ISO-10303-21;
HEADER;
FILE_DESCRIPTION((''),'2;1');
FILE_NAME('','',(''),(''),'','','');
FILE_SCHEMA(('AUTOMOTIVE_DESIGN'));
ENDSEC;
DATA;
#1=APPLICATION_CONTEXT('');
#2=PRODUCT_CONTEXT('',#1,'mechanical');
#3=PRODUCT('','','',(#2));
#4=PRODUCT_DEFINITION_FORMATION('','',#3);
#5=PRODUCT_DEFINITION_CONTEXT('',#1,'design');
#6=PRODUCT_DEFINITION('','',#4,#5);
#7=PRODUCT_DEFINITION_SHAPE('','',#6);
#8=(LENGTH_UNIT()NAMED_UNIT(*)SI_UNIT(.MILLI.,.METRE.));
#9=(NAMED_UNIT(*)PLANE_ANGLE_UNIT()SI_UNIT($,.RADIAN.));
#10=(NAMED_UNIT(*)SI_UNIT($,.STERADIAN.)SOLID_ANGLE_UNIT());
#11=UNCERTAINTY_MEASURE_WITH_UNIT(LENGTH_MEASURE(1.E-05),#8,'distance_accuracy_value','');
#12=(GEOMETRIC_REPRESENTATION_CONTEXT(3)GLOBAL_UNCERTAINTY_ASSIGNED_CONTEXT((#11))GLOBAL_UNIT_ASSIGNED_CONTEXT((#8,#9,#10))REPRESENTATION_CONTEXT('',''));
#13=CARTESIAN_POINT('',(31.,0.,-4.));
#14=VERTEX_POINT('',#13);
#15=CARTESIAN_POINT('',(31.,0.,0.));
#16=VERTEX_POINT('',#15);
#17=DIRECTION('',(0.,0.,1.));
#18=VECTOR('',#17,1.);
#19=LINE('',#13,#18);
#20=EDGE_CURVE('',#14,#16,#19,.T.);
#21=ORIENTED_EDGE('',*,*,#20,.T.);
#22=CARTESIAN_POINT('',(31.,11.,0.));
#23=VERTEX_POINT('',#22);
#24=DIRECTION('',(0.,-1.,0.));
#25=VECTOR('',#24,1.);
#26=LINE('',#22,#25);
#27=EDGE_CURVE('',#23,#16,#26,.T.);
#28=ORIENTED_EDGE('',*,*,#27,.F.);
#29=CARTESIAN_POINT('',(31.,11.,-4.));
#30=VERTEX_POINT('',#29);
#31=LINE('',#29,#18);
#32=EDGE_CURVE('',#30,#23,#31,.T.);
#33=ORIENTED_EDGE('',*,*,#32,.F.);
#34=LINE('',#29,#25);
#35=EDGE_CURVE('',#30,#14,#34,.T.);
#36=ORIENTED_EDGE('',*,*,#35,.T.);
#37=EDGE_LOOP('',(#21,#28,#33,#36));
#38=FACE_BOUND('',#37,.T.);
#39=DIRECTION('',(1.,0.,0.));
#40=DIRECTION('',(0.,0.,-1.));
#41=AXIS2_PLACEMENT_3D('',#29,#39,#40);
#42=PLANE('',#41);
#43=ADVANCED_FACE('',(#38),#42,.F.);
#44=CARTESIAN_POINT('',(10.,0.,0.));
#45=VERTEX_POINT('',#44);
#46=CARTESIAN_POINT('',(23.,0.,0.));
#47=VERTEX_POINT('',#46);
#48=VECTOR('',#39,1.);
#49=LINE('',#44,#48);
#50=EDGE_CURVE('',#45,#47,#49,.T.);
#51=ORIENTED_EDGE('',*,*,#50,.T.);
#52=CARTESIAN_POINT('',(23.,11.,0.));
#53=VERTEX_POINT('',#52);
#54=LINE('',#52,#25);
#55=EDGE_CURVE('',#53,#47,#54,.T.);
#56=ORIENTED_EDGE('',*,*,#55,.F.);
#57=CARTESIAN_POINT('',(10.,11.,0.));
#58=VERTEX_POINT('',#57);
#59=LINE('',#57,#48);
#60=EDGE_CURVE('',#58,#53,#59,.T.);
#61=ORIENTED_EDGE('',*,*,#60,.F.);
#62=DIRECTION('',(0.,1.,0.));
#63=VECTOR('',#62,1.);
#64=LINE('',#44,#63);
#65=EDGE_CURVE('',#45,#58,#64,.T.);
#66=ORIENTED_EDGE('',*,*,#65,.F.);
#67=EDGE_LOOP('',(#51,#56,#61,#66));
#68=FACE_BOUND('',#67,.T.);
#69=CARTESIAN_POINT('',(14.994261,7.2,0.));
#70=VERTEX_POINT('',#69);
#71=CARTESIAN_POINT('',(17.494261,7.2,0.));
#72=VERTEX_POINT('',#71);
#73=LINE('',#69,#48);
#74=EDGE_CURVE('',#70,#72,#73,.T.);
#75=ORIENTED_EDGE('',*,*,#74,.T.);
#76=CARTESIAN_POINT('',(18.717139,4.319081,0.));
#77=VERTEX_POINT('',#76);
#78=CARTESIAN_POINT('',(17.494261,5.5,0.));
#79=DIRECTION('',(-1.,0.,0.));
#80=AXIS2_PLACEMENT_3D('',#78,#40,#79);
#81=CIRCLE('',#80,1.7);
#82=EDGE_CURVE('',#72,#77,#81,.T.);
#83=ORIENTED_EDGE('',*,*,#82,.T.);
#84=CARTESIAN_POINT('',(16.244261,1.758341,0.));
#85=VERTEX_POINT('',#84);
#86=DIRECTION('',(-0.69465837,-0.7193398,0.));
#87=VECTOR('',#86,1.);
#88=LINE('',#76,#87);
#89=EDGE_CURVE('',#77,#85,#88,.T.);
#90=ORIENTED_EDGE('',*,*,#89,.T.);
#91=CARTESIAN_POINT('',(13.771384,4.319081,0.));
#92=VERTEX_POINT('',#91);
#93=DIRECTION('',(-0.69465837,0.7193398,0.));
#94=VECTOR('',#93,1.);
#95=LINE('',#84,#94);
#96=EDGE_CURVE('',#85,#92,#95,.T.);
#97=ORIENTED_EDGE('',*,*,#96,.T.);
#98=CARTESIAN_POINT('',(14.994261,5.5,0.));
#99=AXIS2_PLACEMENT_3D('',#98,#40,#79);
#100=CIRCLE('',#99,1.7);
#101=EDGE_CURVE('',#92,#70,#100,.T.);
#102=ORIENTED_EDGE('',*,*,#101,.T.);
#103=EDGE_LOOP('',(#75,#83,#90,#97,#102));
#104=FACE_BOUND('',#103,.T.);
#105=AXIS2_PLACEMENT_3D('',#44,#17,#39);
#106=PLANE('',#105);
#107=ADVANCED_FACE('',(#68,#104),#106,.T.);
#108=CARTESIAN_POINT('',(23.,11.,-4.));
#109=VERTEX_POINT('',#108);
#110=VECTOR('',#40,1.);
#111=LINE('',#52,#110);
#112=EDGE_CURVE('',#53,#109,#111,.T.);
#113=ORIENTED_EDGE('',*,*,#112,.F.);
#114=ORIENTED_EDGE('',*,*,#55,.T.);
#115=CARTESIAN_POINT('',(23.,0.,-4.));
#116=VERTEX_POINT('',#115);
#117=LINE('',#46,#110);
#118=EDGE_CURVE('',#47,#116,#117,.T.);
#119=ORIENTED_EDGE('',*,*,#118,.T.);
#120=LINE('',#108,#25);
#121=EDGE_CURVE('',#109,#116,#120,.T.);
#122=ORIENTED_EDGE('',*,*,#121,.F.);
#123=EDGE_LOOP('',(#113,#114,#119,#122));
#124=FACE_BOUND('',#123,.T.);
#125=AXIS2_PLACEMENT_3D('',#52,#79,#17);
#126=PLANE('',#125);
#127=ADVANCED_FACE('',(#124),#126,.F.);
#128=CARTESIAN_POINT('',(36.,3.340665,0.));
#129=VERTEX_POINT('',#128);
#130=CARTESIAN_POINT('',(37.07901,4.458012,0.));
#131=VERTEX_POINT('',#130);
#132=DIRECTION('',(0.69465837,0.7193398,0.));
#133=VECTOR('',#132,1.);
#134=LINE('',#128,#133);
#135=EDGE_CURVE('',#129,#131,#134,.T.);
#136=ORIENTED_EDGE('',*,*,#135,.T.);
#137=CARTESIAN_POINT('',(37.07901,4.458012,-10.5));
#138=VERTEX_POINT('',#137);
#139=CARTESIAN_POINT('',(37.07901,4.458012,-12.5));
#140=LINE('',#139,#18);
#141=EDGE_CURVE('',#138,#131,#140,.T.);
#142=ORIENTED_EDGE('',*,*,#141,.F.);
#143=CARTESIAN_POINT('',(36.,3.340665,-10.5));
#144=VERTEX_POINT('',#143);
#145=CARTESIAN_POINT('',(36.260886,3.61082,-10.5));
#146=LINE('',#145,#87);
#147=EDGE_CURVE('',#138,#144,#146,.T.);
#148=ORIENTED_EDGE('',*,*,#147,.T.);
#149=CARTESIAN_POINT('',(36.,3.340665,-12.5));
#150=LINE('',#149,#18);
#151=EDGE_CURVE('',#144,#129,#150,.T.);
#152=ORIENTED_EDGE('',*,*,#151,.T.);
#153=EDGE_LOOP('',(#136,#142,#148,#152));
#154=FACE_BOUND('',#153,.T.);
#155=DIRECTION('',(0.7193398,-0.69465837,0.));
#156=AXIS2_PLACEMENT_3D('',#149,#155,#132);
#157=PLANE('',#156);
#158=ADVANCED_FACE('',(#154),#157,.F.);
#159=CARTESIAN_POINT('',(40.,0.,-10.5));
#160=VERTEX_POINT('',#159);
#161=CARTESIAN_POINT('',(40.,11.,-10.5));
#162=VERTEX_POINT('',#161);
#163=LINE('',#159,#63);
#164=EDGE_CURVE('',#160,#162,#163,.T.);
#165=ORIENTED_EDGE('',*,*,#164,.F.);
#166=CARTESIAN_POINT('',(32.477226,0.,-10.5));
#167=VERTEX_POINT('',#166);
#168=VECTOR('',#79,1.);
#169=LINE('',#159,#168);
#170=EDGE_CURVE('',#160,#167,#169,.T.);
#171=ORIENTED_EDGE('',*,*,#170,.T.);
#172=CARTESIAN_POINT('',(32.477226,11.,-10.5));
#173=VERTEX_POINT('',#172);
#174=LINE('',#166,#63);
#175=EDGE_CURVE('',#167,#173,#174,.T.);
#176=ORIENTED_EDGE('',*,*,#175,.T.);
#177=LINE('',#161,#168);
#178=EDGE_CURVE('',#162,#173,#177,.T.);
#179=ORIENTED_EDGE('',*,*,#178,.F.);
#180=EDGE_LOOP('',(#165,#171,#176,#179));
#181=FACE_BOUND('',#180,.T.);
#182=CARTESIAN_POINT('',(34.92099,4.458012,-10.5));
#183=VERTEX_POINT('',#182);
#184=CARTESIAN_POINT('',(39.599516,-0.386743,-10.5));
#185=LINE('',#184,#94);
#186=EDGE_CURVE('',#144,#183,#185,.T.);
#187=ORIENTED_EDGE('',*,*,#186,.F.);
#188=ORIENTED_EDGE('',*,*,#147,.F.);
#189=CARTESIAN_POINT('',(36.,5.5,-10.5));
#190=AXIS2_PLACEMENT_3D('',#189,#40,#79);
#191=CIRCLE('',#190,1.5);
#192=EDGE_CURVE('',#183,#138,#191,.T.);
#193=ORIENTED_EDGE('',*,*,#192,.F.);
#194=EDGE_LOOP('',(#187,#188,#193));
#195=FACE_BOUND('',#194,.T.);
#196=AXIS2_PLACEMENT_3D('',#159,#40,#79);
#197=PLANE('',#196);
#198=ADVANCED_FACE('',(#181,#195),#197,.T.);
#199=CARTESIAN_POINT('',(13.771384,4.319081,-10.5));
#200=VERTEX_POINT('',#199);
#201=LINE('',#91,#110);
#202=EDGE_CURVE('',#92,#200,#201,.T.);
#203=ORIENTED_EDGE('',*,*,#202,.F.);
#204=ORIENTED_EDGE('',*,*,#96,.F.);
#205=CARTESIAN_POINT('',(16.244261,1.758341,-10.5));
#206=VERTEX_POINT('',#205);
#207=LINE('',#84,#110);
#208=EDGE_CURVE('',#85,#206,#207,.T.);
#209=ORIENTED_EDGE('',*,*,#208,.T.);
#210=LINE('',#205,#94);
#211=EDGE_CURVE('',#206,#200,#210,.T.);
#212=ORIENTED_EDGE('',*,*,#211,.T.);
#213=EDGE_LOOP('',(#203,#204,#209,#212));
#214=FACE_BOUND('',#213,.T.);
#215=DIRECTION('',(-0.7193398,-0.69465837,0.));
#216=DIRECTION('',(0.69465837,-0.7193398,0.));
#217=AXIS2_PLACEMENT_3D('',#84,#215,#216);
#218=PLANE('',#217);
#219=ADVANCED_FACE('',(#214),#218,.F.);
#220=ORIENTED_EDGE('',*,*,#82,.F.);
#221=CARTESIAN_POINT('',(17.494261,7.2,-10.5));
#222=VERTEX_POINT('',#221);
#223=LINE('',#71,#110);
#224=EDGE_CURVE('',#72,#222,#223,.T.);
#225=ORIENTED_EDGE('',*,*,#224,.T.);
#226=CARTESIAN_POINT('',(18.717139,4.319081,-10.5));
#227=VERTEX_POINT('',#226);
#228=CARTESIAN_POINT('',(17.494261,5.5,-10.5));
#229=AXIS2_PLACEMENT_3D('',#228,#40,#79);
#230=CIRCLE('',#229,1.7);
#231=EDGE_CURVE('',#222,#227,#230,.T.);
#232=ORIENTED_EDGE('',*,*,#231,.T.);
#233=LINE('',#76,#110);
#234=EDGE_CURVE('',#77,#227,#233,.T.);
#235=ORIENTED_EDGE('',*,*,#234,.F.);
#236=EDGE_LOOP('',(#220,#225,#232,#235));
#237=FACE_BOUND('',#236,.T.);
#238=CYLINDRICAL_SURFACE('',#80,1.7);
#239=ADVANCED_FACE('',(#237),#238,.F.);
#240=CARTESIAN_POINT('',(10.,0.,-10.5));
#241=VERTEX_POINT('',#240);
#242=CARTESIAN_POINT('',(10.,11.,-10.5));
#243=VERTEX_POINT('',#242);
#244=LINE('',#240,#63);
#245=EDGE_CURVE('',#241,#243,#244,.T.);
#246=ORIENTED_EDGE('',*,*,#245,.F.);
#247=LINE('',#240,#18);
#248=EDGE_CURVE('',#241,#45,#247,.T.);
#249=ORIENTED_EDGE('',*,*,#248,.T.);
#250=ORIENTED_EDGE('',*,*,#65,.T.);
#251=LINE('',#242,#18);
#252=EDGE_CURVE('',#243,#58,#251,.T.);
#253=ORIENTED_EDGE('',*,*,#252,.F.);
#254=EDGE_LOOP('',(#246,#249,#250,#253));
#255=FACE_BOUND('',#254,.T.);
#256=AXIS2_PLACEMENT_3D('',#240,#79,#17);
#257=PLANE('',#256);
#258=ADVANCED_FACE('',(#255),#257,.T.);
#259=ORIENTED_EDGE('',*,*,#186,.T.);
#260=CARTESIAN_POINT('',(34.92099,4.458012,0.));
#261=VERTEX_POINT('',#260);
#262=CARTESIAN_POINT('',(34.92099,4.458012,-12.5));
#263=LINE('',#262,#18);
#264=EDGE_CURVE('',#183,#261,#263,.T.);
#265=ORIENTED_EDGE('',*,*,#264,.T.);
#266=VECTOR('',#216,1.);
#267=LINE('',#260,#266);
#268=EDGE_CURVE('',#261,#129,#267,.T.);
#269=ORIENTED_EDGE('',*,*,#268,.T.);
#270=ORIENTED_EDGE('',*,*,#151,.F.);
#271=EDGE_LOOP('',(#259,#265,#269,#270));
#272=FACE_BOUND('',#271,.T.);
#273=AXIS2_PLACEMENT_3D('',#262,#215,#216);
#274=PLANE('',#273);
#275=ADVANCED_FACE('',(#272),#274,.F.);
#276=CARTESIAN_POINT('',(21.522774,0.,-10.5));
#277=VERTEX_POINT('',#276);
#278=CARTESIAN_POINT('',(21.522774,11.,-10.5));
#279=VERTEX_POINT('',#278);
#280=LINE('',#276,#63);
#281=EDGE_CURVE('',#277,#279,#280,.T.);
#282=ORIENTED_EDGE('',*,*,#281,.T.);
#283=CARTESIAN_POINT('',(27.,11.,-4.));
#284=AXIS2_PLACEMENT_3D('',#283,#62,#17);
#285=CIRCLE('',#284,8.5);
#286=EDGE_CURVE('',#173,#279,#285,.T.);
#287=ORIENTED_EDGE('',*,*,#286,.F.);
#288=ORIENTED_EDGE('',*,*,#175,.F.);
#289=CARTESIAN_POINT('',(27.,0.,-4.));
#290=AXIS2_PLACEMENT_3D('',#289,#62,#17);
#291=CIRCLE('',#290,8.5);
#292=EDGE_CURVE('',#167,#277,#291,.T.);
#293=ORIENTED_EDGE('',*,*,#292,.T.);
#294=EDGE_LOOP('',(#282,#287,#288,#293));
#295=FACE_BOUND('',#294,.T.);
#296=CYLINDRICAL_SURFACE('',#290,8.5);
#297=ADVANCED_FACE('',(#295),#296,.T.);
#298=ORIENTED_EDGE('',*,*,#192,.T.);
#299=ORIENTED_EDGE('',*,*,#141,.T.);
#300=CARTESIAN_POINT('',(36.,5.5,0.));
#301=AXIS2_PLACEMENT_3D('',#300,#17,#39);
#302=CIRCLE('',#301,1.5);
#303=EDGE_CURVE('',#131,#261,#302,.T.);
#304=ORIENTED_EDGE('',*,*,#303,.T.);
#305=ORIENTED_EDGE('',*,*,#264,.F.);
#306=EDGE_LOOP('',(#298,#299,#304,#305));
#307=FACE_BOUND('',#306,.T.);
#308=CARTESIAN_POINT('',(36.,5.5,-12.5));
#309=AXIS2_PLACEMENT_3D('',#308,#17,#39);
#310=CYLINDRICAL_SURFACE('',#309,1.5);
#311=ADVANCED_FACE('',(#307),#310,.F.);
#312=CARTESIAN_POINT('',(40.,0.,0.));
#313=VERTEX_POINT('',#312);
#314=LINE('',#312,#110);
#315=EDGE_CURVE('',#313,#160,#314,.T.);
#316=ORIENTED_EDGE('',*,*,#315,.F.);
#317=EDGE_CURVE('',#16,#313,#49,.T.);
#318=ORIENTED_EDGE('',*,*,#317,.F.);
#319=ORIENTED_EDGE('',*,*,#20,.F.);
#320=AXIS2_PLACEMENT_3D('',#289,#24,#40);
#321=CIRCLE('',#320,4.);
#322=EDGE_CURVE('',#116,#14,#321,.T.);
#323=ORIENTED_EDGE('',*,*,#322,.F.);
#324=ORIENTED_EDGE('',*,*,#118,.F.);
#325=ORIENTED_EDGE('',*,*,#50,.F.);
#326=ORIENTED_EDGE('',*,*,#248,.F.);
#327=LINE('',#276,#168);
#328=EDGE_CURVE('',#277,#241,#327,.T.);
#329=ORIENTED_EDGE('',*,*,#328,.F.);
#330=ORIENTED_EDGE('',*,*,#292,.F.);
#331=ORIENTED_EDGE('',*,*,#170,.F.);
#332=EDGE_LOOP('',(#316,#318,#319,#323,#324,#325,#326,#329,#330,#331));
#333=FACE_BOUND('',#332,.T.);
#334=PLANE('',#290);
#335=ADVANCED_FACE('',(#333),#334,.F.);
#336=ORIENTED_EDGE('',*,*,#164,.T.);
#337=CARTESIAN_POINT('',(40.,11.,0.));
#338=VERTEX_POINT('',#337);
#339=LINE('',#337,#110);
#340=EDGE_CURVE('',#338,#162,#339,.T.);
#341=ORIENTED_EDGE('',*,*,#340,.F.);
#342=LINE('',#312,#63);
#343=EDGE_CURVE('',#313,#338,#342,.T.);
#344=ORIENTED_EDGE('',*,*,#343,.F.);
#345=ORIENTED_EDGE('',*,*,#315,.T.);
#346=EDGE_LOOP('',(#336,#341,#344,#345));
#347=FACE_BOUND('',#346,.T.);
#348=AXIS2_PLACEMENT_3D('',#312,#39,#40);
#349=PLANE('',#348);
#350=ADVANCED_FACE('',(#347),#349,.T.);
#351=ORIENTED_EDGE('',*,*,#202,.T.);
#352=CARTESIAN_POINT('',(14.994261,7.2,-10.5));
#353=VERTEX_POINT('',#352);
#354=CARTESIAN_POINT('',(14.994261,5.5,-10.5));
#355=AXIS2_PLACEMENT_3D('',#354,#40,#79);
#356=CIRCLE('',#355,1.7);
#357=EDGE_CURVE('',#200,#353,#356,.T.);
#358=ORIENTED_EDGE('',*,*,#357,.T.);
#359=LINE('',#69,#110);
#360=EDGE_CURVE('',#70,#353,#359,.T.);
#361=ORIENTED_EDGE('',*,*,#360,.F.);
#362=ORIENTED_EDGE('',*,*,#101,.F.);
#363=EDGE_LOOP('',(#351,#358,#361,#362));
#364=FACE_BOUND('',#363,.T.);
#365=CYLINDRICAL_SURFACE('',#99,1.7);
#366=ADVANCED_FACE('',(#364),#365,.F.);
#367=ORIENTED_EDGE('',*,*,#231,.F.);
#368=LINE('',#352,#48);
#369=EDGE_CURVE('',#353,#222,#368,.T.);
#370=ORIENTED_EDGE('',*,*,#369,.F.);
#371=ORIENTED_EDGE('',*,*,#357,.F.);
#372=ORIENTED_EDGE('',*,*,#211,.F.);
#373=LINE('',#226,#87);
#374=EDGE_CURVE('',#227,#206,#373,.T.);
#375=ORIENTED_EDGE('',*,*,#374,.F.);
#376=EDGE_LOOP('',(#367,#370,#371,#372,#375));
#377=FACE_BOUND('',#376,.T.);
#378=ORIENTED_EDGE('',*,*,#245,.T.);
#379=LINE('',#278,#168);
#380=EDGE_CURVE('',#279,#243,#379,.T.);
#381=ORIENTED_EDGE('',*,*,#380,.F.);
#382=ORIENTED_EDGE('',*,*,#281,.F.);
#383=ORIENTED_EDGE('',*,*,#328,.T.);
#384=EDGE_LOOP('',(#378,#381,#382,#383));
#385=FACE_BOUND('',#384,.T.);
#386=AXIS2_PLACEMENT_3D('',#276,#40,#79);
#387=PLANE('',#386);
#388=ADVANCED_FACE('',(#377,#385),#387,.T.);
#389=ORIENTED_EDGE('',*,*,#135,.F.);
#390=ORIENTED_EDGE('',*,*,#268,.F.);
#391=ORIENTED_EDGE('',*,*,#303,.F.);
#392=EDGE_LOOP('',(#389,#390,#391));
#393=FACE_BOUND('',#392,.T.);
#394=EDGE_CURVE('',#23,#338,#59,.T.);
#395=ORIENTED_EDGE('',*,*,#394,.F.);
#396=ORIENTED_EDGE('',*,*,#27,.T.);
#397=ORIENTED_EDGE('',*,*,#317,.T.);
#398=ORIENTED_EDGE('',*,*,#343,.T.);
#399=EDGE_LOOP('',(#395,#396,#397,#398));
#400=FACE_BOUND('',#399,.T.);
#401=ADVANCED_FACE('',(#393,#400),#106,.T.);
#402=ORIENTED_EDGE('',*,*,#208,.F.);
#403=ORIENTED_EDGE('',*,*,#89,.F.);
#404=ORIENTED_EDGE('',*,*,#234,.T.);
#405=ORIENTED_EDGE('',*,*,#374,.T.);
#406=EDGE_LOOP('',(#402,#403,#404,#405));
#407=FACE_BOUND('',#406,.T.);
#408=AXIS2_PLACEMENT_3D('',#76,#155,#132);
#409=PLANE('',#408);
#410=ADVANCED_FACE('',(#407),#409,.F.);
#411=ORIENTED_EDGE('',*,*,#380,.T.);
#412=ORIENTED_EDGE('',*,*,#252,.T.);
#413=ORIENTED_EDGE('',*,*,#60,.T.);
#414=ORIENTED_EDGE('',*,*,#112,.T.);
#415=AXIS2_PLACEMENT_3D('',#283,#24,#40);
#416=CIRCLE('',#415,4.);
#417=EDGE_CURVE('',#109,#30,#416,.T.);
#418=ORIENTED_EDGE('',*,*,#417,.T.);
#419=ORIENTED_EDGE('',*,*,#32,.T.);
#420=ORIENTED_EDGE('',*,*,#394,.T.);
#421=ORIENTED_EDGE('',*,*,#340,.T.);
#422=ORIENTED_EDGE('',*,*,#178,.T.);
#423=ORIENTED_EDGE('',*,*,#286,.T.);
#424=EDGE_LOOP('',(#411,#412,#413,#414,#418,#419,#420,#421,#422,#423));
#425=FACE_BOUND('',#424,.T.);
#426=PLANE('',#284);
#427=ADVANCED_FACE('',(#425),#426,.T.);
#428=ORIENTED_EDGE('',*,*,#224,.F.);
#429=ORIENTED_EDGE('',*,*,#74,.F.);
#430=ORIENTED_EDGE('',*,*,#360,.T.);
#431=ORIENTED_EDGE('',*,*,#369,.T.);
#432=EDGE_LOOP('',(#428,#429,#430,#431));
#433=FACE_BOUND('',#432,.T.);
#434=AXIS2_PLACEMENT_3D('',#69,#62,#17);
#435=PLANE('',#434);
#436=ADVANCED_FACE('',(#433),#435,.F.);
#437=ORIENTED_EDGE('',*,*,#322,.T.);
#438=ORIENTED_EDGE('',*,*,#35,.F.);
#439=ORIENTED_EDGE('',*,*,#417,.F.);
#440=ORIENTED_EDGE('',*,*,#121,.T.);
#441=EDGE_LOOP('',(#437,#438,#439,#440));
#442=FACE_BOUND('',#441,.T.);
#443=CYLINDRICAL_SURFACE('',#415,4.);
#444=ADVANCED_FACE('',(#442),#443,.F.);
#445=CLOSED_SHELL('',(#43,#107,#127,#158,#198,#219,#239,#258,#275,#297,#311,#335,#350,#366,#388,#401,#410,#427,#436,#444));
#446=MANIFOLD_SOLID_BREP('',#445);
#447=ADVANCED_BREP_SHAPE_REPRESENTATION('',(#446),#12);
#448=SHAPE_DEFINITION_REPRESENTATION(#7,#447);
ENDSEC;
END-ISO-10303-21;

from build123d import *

# Parameters (mm, degrees)
BOSS_EXTRUDE1_DEPTH = 11
CUT_EXTRUDE1_DEPTH  = 44.327243162
CUT_EXTRUDE2_DEPTH  = 44.327243162
CUT_EXTRUDE3_DEPTH  = 43.793106922


with BuildPart() as part:
    # Sketch1 → Boss-Extrude1 (new body)
    with BuildSketch(Plane(origin=(0, 11, 0), x_dir=(-1, 0, 0), z_dir=(0, 1, 0))):
        with BuildLine():
            Line((-10, 0), (-40, 0))
            Line((-40, 0), (-40, -10.5))
            Line((-40, -10.5), (-32.477225575, -10.5))
            ThreePointArc((-32.477225575, -10.5), (-27, -12.5), (-21.522774425, -10.5))
            Line((-21.522774425, -10.5), (-10, -10.5))
            Line((-10, -10.5), (-10, 0))
        make_face()
    extrude(amount=-BOSS_EXTRUDE1_DEPTH)

    # Sketch2 → Cut-Extrude1 (cut, through all)
    with BuildSketch(Plane.XZ):
        with BuildLine():
            Line((31, 0), (23, 0))
            Line((23, 0), (23, -4))
            ThreePointArc((23, -4), (27, -8), (31, -4))
            Line((31, -4), (31, 0))
        make_face()
    extrude(amount=-CUT_EXTRUDE1_DEPTH, mode=Mode.SUBTRACT)

    # Sketch3 → Cut-Extrude2 (cut, through all)
    with BuildSketch(Plane.XY):
        with BuildLine():
            Line((34.920990299, 4.458012444), (36, 3.340665191))
            Line((36, 3.340665191), (37.079009701, 4.458012444))
            ThreePointArc((37.079009701, 4.458012444), (36, 7), (34.920990299, 4.458012444))
        make_face()
    extrude(amount=-CUT_EXTRUDE2_DEPTH, mode=Mode.SUBTRACT)

    # Sketch4 → Cut-Extrude3 (cut, through all)
    with BuildSketch(Plane(origin=(0, 0, -10.5), x_dir=(-1, 0, 0), z_dir=(0, 0, -1))):
        with BuildLine():
            Line((-16.244261233, 1.75834099), (-13.771383572, 4.31908077))
            ThreePointArc((-13.771383572, 4.31908077), (-13.429402982, 6.164242918), (-14.994261233, 7.2))
            Line((-14.994261233, 7.2), (-17.494261233, 7.2))
            ThreePointArc((-17.494261233, 7.2), (-19.059119484, 6.164242918), (-18.717138893, 4.31908077))
            Line((-18.717138893, 4.31908077), (-16.244261233, 1.75834099))
        make_face()
    extrude(amount=-CUT_EXTRUDE3_DEPTH, mode=Mode.SUBTRACT)


solid = part.part
